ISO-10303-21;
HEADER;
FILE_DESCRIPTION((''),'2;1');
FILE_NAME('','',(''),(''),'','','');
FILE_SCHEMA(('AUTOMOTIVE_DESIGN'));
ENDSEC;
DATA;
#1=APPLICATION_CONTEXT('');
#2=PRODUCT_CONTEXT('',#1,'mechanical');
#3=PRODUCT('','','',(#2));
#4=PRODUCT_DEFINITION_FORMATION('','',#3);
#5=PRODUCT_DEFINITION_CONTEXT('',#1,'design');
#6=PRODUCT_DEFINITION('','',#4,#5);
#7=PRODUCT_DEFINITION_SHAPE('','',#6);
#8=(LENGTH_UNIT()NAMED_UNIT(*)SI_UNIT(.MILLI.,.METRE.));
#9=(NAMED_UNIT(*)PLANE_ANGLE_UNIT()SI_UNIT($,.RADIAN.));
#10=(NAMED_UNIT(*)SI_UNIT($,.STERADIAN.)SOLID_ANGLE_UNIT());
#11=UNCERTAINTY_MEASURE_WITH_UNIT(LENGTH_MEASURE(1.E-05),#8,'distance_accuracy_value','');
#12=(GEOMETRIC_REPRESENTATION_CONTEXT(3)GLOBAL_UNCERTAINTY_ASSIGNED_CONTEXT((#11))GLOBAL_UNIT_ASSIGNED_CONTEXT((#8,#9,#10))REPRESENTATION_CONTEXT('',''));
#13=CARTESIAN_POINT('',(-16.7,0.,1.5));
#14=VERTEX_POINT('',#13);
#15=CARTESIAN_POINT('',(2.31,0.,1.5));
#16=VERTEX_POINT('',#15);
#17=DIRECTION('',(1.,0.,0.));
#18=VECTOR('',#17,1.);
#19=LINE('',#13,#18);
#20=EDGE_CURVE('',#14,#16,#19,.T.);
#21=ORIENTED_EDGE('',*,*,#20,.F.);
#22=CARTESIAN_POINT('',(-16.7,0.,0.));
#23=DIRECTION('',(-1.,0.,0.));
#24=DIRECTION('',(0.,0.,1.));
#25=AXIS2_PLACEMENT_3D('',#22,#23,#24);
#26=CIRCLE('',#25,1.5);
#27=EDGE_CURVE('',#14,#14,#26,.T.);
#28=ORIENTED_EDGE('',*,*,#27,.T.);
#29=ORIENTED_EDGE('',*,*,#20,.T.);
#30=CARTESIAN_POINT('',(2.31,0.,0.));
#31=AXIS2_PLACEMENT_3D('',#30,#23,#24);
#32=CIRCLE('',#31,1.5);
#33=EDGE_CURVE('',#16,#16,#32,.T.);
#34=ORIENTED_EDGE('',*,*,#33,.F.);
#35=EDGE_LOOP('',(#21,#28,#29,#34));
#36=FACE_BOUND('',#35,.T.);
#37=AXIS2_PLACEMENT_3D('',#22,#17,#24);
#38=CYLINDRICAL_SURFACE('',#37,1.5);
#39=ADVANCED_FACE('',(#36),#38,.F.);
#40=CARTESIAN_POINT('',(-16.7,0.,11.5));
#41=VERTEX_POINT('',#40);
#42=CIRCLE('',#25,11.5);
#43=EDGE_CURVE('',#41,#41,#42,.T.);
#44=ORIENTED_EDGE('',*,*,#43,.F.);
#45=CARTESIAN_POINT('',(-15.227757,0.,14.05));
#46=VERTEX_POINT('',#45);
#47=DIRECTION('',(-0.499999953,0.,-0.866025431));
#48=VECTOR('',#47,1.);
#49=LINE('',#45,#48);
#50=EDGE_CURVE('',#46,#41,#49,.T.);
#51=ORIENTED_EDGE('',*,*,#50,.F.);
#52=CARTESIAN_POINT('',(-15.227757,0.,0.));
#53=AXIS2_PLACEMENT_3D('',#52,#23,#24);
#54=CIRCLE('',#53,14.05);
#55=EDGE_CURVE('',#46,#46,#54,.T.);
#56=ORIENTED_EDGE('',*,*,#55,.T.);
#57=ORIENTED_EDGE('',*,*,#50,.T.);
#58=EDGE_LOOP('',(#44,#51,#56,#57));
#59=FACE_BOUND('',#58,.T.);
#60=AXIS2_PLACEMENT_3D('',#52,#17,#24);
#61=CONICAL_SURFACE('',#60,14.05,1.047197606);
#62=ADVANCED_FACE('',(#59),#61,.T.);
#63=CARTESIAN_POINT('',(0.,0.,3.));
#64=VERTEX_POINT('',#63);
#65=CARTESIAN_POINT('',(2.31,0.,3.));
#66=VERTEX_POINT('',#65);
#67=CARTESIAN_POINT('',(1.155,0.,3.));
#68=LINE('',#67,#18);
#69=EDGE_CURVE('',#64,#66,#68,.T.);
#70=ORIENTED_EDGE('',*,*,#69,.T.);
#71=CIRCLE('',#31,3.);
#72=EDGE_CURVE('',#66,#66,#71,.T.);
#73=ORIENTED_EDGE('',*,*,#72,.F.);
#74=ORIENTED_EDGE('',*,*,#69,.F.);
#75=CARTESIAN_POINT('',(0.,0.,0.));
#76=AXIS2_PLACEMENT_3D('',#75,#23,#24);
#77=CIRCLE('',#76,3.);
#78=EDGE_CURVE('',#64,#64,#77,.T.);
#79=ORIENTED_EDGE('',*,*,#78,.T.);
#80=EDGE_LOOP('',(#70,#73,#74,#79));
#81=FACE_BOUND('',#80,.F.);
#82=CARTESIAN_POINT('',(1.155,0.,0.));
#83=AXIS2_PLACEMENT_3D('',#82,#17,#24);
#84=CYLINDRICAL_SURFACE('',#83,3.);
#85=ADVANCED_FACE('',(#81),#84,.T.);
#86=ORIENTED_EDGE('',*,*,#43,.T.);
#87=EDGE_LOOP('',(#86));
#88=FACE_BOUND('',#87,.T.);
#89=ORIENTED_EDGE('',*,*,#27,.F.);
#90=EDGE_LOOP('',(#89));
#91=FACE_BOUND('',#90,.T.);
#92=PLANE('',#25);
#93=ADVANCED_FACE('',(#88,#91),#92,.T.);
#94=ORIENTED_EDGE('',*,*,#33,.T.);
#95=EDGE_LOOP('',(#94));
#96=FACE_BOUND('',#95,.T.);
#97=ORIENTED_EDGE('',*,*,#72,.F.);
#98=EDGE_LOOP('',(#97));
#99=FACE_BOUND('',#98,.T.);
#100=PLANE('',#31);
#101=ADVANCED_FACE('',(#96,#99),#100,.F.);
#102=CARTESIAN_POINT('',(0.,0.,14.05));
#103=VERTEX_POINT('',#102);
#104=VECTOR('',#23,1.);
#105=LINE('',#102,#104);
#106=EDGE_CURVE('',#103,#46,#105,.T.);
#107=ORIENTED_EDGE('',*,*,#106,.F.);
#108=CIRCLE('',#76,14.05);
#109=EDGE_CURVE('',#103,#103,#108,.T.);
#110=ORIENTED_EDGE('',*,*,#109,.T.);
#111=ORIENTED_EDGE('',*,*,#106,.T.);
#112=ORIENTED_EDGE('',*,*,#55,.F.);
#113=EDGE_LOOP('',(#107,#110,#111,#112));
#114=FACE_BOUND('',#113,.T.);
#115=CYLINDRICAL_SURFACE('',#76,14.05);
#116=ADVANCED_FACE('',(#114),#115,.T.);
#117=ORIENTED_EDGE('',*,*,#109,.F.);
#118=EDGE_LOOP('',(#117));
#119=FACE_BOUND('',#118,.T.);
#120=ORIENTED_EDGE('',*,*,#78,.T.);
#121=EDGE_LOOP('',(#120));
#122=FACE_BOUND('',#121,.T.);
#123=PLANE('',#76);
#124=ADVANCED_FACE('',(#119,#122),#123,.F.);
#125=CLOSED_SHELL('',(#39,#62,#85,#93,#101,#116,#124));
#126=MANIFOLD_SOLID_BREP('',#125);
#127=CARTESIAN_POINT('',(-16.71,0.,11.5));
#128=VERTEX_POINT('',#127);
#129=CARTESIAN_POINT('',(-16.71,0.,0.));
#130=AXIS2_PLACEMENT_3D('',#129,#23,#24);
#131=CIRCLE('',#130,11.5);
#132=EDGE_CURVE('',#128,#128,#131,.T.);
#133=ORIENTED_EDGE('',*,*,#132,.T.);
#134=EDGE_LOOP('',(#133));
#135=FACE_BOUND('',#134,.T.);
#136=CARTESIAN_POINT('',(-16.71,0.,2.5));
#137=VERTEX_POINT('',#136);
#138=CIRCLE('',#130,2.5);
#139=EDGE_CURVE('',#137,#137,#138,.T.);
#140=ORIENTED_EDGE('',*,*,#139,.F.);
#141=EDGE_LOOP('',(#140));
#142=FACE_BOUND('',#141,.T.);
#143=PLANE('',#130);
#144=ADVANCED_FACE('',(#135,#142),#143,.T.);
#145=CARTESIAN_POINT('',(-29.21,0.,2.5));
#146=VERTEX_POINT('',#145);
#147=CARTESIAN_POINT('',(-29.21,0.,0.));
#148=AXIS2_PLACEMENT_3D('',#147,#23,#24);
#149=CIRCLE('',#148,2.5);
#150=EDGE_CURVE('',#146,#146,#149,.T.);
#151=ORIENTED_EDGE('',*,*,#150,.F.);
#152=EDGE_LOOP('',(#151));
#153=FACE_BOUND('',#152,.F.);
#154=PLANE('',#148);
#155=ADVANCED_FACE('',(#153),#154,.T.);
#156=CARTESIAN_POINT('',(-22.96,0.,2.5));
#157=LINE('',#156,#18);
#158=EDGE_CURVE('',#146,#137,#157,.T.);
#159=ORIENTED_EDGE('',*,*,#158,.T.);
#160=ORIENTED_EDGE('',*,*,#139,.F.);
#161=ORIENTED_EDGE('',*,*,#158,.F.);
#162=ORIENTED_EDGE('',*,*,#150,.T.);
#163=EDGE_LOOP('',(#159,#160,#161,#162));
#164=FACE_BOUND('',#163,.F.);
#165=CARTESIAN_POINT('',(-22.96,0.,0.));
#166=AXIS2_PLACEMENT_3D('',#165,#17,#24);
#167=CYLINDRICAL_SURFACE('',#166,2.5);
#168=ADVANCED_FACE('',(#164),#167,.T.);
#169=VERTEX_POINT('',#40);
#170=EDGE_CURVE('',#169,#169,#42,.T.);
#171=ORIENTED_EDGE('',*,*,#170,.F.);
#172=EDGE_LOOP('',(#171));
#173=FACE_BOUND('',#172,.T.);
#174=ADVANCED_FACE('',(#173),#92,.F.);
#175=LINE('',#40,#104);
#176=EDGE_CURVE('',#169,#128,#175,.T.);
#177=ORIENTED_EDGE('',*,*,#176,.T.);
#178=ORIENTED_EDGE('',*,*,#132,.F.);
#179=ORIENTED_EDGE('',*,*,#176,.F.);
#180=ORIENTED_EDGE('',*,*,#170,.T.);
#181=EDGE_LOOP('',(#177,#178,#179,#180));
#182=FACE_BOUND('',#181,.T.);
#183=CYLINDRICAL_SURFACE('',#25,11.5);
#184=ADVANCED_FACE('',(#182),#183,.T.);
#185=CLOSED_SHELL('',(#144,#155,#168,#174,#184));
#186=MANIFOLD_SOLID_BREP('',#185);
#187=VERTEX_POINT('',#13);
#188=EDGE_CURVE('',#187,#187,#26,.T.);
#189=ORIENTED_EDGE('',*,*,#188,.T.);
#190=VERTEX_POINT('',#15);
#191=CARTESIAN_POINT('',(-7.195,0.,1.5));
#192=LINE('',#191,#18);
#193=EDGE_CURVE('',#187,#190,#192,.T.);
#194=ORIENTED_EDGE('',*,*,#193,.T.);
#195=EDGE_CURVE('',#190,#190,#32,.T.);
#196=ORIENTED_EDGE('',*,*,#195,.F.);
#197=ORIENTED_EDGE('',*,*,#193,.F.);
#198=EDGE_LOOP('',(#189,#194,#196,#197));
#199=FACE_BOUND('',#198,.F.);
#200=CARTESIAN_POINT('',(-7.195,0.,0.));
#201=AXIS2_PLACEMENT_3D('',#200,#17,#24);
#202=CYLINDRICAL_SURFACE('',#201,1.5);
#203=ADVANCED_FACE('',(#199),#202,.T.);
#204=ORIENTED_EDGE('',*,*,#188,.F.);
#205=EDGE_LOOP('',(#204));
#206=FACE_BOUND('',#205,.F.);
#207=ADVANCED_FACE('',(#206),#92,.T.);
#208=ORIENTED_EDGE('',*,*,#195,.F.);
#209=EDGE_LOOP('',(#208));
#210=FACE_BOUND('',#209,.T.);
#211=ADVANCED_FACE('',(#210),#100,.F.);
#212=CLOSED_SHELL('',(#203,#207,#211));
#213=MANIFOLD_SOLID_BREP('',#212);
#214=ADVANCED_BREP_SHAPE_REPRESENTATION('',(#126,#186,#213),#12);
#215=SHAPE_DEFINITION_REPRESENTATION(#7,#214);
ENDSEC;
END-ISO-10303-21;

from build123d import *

# Parameters (mm, degrees)
F1_W = 2.31
F1_H = 1.5
F2_W = 19.01
F2_H = 1.5
F3_W = 12.5
F3_H = 2.5


with BuildPart() as f4:
    # F1 (on Front) → F4 (revolve)
    with BuildSketch(Plane.XZ):
        with Locations((1.155, 2.25)):
            Rectangle(F1_W, F1_H)
        Polygon((0, 14.05), (-15.227757, 14.05), (-16.7, 11.5), (-16.7, 1.5), (0, 1.5), (0, 3), align=None)
    revolve(axis=Axis((-13.45, 0, 0), (-1, 0, 0)))


with BuildPart() as f5:
    # F2 (on Front) → F5 (revolve)
    with BuildSketch(Plane.XZ):
        with Locations((-7.195, 0.75)):
            Rectangle(F2_W, F2_H)
    revolve(axis=Axis((-13.45, 0, 0), (-1, 0, 0)))


with BuildPart() as f6:
    # F3 (on Front) → F6 (revolve)
    with BuildSketch(Plane.XZ):
        with Locations((-22.96, 1.25)):
            Rectangle(F3_W, F3_H)
        Polygon((-16.7, 11.5), (-16.71, 11.5), (-16.71, 2.5), (-16.71, 0), (-16.7, 0), align=None)
    revolve(axis=Axis((-13.45, 0, 0), (-1, 0, 0)))


solid = Compound([f4.part, f5.part, f6.part])
